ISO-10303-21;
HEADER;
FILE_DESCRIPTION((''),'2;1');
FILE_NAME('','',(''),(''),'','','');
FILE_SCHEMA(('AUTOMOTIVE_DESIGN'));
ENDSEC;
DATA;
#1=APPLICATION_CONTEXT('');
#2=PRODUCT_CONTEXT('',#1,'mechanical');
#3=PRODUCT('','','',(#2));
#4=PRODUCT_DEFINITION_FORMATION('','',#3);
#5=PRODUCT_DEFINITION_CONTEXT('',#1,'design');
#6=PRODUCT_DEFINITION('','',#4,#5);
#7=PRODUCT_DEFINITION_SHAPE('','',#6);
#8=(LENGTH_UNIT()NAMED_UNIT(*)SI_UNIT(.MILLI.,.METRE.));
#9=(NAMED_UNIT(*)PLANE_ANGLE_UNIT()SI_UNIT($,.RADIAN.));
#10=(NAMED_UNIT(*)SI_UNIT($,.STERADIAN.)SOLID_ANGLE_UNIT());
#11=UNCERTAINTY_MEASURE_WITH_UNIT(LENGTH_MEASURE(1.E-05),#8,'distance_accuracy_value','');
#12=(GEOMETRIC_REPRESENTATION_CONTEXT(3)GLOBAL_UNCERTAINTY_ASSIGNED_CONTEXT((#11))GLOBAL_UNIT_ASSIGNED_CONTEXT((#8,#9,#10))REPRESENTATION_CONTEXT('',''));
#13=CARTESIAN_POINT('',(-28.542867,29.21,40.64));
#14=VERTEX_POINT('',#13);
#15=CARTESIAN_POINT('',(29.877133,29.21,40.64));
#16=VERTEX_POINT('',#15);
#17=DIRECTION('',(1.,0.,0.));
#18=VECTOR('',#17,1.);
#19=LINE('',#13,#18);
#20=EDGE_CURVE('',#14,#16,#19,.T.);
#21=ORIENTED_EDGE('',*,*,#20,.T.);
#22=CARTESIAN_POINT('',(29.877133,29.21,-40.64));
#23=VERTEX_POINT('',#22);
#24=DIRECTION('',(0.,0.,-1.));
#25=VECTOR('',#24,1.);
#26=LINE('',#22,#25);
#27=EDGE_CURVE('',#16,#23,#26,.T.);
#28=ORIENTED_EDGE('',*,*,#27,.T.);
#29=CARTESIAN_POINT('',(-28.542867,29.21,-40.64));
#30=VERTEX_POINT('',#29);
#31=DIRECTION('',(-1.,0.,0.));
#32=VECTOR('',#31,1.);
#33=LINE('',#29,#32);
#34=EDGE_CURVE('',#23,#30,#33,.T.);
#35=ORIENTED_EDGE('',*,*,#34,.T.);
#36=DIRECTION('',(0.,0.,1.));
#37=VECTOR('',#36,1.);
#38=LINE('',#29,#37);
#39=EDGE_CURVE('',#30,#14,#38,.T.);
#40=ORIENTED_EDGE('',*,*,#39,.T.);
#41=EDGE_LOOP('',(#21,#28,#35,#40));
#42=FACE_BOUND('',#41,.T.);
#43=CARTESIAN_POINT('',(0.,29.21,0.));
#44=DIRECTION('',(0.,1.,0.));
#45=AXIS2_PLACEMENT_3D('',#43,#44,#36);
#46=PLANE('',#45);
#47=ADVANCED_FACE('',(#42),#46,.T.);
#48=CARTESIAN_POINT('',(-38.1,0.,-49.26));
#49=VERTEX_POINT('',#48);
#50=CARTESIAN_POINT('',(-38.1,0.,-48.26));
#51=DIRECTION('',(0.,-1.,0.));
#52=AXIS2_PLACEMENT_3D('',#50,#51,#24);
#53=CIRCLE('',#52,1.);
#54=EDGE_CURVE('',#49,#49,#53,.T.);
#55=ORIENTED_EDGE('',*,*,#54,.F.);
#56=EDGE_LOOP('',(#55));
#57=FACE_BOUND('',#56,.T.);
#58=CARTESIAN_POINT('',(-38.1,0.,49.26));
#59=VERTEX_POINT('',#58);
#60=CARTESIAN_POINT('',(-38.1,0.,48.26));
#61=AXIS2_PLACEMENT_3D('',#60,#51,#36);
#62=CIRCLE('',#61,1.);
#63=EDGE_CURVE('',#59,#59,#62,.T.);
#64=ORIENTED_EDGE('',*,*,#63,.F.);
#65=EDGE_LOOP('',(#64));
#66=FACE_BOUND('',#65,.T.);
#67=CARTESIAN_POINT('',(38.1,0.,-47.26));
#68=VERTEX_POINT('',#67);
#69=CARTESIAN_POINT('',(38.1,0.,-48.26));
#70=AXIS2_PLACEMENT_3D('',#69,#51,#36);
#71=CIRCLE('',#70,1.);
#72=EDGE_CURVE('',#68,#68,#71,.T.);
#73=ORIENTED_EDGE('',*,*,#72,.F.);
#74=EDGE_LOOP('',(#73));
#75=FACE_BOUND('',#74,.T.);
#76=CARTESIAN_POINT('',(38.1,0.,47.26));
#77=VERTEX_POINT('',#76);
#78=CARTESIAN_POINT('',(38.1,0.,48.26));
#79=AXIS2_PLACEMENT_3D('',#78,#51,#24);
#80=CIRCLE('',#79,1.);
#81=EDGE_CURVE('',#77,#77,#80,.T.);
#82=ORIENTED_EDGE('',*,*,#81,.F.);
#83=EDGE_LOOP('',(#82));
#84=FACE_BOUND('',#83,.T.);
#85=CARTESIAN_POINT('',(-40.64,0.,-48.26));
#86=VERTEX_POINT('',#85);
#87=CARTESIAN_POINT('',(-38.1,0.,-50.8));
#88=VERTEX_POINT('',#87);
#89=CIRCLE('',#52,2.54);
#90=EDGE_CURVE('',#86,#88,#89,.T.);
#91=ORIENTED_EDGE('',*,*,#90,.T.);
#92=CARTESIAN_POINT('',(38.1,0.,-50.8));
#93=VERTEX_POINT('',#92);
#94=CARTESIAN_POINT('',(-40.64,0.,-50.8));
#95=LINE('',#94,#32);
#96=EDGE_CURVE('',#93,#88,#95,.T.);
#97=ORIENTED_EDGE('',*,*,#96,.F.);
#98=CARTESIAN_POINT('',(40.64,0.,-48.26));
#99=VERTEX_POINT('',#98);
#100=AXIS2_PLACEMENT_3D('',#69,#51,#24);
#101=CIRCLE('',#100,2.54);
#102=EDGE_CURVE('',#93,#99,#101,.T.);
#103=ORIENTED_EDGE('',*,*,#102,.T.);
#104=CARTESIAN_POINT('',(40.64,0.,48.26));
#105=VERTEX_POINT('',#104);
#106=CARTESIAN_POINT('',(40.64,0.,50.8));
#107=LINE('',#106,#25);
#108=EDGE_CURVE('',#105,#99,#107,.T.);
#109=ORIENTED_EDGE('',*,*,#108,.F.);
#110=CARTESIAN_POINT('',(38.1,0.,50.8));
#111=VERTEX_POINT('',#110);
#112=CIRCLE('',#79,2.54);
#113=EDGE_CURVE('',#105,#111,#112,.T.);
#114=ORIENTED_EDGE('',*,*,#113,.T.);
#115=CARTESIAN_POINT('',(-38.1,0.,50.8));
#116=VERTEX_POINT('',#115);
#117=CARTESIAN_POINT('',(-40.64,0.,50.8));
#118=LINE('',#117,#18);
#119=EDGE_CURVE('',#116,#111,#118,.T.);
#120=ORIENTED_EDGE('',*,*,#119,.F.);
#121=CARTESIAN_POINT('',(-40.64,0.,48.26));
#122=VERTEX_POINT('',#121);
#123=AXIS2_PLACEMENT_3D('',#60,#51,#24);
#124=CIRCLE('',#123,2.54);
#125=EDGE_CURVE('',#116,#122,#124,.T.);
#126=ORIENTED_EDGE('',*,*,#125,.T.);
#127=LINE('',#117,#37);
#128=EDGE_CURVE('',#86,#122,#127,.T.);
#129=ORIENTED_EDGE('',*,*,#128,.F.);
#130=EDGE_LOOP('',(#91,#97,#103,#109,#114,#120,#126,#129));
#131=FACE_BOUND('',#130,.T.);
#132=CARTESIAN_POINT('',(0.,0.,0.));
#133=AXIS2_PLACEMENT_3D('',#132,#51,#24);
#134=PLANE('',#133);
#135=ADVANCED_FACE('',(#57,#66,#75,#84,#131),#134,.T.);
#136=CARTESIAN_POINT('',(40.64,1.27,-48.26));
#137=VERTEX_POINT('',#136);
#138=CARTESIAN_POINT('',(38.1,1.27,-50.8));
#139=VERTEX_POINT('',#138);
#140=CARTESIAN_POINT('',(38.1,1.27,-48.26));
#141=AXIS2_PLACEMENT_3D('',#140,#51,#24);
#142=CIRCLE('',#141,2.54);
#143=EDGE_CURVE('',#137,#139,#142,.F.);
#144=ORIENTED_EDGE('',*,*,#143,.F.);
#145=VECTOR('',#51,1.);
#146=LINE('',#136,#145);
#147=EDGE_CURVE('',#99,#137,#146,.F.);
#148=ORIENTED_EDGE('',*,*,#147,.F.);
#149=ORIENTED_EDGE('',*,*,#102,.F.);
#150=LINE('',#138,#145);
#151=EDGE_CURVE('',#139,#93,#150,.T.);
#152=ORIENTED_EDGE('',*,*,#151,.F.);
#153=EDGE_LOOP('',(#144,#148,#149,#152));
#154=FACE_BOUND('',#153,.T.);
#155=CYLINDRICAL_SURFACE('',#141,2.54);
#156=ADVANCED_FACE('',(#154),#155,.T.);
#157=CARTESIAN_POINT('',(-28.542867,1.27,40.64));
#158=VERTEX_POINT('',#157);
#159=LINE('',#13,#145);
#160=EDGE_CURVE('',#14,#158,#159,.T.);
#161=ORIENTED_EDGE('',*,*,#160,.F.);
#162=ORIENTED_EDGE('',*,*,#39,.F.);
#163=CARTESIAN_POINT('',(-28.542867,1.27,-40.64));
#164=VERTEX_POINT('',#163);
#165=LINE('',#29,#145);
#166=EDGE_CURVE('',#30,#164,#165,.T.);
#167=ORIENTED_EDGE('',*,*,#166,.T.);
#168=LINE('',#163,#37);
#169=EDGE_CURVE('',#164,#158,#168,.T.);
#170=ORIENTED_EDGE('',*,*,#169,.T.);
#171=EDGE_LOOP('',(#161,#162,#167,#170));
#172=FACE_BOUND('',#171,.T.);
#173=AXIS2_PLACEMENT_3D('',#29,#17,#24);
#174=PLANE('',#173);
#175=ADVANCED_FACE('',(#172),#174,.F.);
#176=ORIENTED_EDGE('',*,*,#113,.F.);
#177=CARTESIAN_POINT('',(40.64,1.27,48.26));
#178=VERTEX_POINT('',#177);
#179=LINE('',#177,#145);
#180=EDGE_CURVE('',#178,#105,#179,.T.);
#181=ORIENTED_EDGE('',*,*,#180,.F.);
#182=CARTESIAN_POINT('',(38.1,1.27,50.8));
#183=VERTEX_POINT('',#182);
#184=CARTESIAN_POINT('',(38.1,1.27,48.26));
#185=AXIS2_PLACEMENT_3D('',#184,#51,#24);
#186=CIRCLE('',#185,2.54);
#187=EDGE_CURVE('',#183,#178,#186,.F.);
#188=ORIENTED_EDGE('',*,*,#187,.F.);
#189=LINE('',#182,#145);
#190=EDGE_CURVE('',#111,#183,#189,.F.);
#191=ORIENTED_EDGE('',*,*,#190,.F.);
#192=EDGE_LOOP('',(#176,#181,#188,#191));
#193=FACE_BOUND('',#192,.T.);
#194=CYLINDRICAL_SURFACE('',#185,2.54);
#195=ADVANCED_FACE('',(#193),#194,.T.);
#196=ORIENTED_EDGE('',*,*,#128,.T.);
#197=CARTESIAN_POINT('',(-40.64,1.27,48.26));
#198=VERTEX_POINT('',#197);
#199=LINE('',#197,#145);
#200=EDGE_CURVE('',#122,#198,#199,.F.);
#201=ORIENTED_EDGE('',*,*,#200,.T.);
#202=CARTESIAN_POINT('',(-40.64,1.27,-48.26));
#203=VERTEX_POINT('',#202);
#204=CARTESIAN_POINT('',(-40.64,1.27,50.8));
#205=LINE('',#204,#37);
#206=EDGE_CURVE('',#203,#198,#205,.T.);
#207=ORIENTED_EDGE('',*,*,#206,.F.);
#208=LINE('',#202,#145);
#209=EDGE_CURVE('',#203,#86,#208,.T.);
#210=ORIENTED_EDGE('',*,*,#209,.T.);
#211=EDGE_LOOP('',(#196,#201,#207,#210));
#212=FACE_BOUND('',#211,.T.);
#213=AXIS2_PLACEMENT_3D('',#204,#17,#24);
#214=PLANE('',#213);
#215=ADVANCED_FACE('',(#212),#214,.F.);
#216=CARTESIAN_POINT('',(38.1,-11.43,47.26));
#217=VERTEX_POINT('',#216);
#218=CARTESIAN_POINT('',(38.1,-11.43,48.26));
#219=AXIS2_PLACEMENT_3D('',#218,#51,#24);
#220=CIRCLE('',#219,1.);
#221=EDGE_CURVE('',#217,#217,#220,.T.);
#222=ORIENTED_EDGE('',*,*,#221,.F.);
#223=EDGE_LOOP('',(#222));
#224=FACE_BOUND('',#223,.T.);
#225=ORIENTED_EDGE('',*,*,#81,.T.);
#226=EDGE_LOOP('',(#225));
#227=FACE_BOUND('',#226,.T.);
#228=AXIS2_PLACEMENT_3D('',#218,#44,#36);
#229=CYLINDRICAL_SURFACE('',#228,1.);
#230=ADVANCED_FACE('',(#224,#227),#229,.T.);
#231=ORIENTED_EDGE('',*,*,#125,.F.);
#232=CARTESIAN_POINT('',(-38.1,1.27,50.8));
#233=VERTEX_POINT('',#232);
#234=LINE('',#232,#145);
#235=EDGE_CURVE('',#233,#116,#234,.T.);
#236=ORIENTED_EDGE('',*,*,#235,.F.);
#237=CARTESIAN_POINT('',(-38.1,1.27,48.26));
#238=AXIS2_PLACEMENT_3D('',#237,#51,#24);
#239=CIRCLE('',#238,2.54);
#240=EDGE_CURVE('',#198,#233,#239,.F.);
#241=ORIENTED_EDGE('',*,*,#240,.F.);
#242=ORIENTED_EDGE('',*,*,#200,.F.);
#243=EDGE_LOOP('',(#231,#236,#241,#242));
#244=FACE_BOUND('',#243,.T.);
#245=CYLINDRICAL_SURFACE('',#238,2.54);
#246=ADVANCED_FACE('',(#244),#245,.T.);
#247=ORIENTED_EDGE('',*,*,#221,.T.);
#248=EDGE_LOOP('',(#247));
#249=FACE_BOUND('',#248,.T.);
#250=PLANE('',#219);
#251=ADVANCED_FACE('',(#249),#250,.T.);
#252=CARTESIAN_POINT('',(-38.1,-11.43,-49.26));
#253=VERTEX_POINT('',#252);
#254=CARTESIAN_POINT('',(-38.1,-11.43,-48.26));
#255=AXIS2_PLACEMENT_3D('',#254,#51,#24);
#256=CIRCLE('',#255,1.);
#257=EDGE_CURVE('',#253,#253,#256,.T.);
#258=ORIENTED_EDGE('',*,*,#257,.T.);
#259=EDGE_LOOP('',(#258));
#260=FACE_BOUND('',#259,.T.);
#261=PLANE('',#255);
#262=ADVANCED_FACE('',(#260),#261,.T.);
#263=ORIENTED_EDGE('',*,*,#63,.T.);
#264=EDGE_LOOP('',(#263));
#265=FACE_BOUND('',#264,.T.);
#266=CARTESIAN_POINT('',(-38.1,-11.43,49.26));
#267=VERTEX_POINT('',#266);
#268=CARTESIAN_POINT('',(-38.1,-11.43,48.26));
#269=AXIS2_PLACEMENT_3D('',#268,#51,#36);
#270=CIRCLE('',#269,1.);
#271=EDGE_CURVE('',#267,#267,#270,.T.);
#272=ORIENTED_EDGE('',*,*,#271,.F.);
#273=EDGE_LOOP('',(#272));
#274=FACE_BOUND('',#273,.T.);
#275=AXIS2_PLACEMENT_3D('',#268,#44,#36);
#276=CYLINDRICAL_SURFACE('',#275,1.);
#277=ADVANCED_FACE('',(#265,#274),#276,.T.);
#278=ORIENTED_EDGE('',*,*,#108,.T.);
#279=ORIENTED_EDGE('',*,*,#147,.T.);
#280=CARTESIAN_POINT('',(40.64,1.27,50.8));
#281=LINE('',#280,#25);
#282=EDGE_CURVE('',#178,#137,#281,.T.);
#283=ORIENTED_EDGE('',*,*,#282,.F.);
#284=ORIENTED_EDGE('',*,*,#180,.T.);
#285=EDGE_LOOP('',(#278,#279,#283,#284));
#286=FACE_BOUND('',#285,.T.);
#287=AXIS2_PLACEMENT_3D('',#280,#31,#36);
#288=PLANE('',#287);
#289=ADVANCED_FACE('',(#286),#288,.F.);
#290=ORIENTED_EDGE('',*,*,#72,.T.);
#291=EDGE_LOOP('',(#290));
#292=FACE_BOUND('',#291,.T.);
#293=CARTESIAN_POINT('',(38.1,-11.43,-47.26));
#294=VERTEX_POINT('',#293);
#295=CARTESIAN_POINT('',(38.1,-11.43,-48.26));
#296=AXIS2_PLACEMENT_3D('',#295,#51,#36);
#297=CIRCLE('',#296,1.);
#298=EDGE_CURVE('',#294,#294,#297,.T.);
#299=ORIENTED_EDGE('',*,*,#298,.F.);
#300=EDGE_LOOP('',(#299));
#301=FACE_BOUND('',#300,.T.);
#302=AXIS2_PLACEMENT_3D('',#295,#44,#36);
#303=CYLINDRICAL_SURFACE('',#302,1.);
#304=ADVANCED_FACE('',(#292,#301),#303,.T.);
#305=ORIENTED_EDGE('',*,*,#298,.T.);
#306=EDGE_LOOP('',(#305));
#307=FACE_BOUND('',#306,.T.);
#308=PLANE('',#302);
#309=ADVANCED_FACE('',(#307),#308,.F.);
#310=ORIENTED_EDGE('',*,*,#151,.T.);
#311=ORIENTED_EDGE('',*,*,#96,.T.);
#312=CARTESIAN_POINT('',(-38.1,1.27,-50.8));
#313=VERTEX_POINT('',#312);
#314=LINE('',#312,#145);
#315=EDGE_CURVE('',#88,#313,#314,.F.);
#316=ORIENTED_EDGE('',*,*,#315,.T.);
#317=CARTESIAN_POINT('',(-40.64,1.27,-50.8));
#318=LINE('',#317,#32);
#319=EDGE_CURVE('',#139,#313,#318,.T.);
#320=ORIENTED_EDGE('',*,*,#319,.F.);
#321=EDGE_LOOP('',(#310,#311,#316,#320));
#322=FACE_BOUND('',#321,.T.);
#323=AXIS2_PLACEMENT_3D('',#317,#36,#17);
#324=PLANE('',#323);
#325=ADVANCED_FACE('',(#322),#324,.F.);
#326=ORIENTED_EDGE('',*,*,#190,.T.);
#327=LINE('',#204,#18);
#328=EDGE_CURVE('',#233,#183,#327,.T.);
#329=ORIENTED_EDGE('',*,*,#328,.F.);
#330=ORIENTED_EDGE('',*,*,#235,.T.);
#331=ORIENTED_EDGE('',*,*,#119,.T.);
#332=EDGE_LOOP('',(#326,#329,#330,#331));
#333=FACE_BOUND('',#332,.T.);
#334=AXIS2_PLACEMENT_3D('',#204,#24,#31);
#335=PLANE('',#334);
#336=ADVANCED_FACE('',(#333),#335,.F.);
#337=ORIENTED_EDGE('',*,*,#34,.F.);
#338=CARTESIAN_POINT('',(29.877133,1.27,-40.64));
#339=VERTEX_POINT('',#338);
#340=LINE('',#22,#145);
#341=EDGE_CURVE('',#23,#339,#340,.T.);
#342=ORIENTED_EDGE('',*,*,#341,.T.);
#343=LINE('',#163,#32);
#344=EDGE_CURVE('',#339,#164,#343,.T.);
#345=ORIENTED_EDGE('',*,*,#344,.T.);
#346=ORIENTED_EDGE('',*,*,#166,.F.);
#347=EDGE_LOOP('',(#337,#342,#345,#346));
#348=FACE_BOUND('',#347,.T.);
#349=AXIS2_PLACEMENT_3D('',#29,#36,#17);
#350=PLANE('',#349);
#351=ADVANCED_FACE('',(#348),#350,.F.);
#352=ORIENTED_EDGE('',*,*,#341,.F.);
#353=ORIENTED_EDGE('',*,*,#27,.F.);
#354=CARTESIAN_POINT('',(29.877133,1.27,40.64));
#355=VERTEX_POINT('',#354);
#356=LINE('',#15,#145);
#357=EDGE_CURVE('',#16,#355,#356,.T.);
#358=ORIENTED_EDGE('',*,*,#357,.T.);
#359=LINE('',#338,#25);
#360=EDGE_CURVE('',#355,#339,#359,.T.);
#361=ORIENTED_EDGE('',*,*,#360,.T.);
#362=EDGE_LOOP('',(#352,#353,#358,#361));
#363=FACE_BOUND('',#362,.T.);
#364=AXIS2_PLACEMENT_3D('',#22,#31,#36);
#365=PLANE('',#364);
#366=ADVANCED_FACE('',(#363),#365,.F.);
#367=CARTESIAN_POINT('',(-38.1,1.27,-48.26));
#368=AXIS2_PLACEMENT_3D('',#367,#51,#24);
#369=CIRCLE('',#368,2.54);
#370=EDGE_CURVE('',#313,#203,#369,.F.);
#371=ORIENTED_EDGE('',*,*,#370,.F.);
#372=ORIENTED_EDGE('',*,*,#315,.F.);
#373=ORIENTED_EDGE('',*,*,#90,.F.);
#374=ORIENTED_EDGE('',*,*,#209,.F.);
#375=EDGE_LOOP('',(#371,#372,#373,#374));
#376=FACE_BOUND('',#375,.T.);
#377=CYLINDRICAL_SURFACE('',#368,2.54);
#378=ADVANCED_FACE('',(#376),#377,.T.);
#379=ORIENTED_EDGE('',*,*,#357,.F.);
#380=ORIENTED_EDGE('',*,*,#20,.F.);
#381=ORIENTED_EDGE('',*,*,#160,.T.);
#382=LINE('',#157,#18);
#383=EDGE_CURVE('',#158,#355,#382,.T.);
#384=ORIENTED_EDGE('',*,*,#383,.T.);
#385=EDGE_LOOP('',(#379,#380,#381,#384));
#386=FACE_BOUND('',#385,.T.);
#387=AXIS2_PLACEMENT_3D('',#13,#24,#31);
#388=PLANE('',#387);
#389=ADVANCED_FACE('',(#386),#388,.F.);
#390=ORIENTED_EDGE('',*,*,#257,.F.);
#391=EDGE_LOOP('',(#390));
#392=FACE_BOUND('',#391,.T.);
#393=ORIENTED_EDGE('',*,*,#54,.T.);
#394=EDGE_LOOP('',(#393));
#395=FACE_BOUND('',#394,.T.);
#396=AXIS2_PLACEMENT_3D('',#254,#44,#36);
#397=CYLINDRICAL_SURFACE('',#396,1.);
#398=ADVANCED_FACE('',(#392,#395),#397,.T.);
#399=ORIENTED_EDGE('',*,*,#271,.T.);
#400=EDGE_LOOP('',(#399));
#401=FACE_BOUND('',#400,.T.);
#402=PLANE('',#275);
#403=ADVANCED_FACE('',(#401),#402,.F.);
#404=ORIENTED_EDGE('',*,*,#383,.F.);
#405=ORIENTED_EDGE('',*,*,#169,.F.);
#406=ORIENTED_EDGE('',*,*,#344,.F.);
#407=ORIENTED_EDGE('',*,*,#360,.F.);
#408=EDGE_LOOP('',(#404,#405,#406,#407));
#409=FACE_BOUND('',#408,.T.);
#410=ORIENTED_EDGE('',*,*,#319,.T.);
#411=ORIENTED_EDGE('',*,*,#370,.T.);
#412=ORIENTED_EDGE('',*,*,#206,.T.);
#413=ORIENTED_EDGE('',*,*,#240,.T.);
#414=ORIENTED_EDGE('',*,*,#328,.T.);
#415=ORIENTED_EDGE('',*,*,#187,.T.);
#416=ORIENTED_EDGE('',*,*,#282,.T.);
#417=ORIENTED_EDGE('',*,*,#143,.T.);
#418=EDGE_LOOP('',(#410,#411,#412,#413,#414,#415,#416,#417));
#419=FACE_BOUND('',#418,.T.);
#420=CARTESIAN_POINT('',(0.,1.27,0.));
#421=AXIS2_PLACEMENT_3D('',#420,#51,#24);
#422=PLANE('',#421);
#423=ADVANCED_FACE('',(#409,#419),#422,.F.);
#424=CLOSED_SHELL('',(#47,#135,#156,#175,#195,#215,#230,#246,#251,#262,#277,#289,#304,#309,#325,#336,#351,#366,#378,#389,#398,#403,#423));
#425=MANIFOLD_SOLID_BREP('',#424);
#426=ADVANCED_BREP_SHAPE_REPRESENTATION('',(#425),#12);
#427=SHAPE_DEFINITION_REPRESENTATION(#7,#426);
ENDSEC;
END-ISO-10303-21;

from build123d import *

# Parameters (mm, degrees)
SKETCH1_W           = 81.28
SKETCH1_H           = 101.6
BOSS_EXTRUDE1_DEPTH = 1.27
SKETCH2_W           = 58.42
SKETCH2_H           = 81.28
BOSS_EXTRUDE2_DEPTH = 27.94
FILLET1_R           = 2.54
SKETCH4_R           = 1
BOSS_EXTRUDE3_DEPTH = 11.43


with BuildPart() as part:
    # Sketch1 → Boss-Extrude1 (new body)
    with BuildSketch(Plane(origin=(0, 0, 0), x_dir=(1, 0, 0), z_dir=(0, 1, 0))):
        Rectangle(SKETCH1_W, SKETCH1_H)
    extrude(amount=BOSS_EXTRUDE1_DEPTH)

    # Sketch2 → Boss-Extrude2 (add)
    with BuildSketch(Plane(origin=(0, 1.27, 0), x_dir=(1, 0, 0), z_dir=(0, 1, 0))):
        with Locations((0.667132778, 0)):
            Rectangle(SKETCH2_W, SKETCH2_H)
    extrude(amount=BOSS_EXTRUDE2_DEPTH)

    # Fillet1
    fillet1_edges = [part.edges().sort_by_distance(p)[0] for p in [
        (40.64, 0.635, 50.8),
        (-40.64, 0.635, 50.8),
        (-40.64, 0.635, -50.8),
        (40.64, 0.635, -50.8),
    ]]
    fillet(fillet1_edges, radius=FILLET1_R)

    # Sketch4 → Boss-Extrude3 (add)
    with BuildSketch(Plane.XZ):
        with Locations((38.1, 48.26)):
            Circle(SKETCH4_R)
        with Locations((38.1, -48.26)):
            Circle(SKETCH4_R)
        with Locations((-38.1, 48.26)):
            Circle(SKETCH4_R)
        with Locations((-38.1, -48.26)):
            Circle(SKETCH4_R)
    extrude(amount=BOSS_EXTRUDE3_DEPTH)


solid = part.part
